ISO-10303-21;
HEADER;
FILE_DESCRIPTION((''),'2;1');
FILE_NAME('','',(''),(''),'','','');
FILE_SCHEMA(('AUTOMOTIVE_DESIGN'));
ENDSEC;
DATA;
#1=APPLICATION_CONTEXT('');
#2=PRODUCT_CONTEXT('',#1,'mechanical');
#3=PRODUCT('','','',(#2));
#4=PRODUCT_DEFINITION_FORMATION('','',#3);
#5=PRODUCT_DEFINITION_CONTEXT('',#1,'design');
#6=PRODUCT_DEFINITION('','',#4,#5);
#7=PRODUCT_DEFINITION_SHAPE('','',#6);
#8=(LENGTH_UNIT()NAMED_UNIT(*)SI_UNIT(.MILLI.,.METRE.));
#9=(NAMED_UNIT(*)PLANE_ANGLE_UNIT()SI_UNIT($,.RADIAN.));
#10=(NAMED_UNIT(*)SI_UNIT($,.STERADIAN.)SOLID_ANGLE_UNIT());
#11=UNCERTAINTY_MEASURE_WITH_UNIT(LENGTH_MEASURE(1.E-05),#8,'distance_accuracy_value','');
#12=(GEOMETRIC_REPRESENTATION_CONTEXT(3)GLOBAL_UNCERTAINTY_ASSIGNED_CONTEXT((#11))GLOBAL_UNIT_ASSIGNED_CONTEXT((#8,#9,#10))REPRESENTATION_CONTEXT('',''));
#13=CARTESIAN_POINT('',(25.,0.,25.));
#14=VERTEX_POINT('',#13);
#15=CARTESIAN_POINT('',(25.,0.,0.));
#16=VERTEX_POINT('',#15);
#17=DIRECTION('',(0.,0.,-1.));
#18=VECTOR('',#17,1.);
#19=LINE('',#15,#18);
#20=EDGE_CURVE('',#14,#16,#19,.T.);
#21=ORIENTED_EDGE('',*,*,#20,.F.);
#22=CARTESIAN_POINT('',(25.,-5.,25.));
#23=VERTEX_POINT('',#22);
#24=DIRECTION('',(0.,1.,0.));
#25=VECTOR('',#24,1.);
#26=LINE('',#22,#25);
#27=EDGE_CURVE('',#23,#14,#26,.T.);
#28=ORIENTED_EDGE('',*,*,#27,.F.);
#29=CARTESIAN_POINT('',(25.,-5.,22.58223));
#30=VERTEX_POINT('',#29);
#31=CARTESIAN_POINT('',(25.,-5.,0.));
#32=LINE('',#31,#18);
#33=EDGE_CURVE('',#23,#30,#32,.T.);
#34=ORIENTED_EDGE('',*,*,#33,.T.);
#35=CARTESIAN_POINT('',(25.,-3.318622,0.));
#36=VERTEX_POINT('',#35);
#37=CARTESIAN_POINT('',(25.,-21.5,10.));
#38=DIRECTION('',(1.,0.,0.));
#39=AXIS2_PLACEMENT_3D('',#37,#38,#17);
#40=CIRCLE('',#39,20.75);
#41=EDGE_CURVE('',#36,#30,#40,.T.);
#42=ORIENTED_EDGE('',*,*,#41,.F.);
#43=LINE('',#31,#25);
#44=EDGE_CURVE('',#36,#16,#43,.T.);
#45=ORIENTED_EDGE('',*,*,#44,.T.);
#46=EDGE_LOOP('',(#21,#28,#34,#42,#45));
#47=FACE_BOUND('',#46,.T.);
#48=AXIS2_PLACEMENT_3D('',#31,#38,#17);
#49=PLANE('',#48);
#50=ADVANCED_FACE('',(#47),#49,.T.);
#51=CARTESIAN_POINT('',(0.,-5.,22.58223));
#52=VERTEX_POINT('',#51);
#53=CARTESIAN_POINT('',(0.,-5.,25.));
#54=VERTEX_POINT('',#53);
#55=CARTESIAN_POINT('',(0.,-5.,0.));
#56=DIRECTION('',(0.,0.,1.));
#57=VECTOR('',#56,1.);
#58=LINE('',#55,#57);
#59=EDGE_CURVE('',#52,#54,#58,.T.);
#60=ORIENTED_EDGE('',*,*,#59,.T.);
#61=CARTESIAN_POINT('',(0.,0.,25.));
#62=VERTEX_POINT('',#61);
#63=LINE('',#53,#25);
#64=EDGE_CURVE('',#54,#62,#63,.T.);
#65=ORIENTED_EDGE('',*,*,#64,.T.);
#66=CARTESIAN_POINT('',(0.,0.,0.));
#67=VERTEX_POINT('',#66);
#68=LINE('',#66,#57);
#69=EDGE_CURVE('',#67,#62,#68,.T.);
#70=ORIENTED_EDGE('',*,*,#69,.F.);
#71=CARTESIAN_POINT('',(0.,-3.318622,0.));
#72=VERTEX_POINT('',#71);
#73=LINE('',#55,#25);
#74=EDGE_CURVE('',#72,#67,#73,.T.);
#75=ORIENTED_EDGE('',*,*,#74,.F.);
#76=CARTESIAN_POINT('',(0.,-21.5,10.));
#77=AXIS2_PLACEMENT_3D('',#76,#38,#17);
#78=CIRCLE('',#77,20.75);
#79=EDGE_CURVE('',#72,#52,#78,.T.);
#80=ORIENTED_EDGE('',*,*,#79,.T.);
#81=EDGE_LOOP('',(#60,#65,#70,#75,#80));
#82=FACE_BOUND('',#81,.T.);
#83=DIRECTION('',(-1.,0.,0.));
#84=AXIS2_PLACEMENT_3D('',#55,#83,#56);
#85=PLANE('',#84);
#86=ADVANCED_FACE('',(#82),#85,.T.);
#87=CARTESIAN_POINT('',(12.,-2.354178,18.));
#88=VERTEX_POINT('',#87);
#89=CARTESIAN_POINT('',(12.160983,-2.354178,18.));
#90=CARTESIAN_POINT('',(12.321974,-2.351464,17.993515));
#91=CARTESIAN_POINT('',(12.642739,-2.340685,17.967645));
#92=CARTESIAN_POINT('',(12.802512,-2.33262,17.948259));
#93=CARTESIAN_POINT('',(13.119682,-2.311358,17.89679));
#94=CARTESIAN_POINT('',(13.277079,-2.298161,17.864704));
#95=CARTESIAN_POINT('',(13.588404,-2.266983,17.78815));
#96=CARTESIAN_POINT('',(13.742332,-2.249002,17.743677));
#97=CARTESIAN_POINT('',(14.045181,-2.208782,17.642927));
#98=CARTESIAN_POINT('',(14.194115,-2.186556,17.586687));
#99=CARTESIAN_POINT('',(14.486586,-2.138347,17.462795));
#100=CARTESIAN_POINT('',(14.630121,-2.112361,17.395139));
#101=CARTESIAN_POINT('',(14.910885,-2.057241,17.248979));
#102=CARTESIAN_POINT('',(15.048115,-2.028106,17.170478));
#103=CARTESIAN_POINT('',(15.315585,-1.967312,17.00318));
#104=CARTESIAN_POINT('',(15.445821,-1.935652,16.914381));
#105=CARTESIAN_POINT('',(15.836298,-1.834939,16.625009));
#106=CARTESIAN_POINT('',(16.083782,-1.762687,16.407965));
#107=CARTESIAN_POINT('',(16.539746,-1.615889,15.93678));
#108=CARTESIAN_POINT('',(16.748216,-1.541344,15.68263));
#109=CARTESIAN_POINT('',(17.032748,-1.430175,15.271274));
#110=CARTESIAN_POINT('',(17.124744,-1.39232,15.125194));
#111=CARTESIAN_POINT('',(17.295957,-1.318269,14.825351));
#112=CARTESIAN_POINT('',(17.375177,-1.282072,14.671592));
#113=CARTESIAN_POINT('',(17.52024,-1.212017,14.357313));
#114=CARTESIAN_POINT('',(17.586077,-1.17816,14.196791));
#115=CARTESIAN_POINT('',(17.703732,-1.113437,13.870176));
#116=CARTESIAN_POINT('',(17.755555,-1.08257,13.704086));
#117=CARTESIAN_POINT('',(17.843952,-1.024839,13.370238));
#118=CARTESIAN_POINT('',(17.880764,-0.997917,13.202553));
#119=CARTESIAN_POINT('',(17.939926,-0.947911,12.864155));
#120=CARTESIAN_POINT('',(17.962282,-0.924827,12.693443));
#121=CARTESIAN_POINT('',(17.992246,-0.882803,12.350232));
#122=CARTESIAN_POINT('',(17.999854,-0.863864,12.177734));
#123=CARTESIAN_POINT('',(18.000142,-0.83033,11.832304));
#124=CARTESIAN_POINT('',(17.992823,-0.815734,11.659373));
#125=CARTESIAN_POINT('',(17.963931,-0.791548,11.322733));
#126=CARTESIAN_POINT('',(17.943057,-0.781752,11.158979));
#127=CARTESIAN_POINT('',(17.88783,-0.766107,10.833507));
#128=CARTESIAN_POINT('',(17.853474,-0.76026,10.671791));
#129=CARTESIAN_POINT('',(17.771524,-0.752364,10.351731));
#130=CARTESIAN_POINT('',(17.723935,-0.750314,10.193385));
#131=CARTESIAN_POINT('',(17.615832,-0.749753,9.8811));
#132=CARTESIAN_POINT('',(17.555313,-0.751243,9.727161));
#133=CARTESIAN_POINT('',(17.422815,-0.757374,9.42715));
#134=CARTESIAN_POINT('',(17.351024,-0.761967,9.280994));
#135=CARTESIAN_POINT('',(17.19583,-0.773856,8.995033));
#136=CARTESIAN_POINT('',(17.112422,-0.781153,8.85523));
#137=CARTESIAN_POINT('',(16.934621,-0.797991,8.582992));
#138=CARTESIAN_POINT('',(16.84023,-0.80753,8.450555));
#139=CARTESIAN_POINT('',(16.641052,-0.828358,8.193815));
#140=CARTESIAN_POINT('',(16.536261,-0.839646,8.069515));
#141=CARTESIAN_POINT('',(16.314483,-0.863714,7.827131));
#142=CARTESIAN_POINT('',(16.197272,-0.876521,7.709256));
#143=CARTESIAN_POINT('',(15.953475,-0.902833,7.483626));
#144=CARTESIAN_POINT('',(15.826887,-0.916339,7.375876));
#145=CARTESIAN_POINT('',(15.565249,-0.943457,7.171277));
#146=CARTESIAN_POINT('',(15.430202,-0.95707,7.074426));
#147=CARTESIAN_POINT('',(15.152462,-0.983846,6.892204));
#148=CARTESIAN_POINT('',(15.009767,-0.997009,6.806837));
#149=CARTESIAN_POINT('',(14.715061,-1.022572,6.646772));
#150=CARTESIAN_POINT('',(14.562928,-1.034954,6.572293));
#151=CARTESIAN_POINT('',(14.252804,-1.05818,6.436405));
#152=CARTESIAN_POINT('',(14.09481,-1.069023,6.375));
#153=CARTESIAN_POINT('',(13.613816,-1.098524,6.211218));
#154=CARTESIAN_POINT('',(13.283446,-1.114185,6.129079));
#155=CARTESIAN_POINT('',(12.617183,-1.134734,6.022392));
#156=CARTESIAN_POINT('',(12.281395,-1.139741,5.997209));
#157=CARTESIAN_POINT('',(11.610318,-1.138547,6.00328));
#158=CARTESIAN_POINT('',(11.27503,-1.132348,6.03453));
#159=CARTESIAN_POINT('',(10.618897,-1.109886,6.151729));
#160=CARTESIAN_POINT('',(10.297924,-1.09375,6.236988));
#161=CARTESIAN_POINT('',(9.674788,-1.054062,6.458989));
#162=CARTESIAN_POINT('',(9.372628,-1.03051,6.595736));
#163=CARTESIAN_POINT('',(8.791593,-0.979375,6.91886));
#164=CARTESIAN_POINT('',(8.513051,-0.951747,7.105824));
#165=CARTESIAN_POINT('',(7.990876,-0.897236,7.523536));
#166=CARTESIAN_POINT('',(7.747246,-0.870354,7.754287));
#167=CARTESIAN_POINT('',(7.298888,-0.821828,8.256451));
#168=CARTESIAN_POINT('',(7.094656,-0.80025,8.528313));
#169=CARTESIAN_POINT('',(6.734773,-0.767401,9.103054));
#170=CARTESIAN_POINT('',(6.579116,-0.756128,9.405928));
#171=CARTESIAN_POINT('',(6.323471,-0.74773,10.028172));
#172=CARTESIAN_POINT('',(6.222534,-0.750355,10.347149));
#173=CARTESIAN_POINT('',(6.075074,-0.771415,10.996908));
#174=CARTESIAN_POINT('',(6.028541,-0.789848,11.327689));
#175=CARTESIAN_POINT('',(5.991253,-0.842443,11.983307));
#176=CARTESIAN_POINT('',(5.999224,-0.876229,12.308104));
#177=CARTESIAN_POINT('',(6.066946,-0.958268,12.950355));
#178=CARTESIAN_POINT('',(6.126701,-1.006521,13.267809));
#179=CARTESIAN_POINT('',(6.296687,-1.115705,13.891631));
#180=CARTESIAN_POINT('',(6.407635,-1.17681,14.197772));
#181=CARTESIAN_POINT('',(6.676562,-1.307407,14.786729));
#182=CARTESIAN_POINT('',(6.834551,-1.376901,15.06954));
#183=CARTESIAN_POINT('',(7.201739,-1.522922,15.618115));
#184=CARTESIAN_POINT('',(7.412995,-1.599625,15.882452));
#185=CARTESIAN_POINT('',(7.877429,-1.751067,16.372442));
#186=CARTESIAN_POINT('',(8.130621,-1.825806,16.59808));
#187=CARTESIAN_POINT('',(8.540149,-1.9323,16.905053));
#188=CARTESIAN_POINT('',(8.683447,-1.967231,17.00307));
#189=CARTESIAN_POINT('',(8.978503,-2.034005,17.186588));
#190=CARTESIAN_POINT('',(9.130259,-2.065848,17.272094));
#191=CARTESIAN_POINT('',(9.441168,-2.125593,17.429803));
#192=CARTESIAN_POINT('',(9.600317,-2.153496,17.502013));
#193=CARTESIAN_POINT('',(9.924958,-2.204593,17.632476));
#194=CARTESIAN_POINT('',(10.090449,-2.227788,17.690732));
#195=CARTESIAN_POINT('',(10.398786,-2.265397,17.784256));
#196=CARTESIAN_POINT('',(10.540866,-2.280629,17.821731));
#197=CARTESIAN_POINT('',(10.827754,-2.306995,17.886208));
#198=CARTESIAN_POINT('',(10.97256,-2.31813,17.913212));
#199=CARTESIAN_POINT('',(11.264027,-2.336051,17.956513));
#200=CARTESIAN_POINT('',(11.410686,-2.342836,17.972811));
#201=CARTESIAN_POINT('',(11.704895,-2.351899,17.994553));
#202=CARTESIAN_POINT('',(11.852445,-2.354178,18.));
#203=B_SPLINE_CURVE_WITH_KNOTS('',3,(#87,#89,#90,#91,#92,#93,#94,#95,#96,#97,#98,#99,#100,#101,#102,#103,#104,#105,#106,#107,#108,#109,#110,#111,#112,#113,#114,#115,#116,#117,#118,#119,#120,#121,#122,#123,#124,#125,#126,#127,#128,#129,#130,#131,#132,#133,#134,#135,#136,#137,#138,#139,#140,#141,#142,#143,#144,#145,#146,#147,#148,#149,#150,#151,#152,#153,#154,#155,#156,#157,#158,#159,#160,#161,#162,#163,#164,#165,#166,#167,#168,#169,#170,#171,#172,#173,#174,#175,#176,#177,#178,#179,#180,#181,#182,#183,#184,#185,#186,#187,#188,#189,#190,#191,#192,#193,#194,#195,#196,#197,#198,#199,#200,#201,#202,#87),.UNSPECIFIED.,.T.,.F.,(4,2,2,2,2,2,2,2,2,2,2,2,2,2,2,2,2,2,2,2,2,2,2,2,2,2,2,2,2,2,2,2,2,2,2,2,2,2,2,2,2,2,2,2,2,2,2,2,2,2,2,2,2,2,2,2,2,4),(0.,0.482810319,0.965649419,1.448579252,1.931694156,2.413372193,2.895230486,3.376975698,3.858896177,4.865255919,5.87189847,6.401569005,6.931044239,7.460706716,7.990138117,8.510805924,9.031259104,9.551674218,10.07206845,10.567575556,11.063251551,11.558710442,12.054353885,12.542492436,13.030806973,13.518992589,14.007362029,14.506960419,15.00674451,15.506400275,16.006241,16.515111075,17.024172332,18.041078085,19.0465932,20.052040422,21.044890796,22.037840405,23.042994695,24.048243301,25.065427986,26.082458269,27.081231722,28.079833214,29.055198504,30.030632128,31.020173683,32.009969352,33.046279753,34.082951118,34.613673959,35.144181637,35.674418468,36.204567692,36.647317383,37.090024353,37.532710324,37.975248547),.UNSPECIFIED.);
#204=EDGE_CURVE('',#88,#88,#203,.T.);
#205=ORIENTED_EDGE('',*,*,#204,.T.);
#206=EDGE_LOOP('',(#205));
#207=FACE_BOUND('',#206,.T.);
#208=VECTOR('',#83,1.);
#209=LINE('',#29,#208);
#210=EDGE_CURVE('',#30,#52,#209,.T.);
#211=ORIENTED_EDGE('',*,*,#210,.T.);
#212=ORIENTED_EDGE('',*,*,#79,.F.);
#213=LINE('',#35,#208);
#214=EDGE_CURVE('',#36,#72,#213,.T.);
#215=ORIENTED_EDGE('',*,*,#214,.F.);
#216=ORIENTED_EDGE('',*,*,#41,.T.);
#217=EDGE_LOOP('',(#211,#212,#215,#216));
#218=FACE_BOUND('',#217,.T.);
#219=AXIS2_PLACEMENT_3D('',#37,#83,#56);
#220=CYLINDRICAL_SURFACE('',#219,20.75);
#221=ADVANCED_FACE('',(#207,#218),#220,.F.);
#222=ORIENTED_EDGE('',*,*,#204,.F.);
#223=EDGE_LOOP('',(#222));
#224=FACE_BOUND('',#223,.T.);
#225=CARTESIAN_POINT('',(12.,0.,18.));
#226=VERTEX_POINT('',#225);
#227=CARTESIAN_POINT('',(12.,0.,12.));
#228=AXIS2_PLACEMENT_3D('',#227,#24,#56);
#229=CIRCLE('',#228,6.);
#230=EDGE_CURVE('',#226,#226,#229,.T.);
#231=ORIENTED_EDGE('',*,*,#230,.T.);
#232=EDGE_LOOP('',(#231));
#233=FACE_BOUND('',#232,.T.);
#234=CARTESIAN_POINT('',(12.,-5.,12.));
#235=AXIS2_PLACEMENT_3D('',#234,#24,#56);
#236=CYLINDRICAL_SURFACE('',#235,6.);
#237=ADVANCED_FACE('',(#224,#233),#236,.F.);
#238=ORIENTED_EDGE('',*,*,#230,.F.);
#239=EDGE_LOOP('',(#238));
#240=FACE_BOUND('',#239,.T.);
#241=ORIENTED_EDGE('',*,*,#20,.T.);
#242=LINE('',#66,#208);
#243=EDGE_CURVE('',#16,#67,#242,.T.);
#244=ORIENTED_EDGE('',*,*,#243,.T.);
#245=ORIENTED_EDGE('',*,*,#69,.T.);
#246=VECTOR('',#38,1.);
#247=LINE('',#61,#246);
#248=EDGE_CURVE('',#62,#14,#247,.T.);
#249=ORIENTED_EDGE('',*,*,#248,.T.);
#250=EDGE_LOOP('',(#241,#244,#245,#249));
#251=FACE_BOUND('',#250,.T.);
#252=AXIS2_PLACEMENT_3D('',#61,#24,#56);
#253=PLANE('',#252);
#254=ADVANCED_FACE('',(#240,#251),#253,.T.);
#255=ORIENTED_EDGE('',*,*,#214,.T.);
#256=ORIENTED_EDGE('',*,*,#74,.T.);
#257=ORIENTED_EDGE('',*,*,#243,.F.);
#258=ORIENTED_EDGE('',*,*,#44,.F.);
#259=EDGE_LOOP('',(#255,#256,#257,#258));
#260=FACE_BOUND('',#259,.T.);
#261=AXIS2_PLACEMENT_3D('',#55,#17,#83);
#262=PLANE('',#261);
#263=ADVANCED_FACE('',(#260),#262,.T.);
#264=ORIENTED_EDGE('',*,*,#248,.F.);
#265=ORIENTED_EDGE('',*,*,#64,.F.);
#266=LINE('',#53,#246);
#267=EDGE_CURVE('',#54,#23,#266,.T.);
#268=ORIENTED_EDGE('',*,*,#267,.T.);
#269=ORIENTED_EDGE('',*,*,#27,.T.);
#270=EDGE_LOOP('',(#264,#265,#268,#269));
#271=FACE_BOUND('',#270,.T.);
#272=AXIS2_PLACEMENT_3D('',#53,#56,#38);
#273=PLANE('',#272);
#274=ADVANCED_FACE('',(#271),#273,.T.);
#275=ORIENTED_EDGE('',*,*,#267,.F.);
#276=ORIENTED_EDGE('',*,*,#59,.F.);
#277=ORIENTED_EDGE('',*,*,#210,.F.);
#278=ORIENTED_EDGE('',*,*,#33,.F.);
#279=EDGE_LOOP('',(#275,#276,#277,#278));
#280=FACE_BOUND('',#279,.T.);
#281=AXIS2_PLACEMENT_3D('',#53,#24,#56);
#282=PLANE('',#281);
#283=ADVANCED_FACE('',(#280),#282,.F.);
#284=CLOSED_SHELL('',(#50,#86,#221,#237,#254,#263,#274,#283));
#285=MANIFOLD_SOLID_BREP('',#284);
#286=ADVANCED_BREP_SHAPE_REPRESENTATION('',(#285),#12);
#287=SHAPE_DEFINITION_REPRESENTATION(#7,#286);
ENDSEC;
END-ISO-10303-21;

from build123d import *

# Parameters (mm, degrees)
SKETCH1_W          = 25
SKETCH1_H          = 25
SKETCH1_R          = 6
EXTRUDE1_DEPTH     = 5
SKETCH2_R          = 20.75
CUT_EXTRUDE1_DEPTH = 26


with BuildPart() as part:
    # Sketch1 → Extrude1 (new body)
    with BuildSketch(Plane(origin=(0, 0, 0), x_dir=(1, 0, 0), z_dir=(0, 1, 0))):
        with Locations((12.5, -12.5)):
            Rectangle(SKETCH1_W, SKETCH1_H)
        with Locations(Location((12, -12, 0), (0, 0, 270))):  # turned: the seam where the file's is
            Circle(SKETCH1_R, mode=Mode.SUBTRACT)
    extrude(amount=-EXTRUDE1_DEPTH)

    # Sketch2 → Cut-Extrude1 (cut, through all)
    with BuildSketch(Plane(origin=(0, 0, 0), x_dir=(0, 0, -1), z_dir=(1, 0, 0))):
        with Locations((-10, -21.5)):
            Circle(SKETCH2_R)
    extrude(amount=CUT_EXTRUDE1_DEPTH, mode=Mode.SUBTRACT)


solid = part.part
